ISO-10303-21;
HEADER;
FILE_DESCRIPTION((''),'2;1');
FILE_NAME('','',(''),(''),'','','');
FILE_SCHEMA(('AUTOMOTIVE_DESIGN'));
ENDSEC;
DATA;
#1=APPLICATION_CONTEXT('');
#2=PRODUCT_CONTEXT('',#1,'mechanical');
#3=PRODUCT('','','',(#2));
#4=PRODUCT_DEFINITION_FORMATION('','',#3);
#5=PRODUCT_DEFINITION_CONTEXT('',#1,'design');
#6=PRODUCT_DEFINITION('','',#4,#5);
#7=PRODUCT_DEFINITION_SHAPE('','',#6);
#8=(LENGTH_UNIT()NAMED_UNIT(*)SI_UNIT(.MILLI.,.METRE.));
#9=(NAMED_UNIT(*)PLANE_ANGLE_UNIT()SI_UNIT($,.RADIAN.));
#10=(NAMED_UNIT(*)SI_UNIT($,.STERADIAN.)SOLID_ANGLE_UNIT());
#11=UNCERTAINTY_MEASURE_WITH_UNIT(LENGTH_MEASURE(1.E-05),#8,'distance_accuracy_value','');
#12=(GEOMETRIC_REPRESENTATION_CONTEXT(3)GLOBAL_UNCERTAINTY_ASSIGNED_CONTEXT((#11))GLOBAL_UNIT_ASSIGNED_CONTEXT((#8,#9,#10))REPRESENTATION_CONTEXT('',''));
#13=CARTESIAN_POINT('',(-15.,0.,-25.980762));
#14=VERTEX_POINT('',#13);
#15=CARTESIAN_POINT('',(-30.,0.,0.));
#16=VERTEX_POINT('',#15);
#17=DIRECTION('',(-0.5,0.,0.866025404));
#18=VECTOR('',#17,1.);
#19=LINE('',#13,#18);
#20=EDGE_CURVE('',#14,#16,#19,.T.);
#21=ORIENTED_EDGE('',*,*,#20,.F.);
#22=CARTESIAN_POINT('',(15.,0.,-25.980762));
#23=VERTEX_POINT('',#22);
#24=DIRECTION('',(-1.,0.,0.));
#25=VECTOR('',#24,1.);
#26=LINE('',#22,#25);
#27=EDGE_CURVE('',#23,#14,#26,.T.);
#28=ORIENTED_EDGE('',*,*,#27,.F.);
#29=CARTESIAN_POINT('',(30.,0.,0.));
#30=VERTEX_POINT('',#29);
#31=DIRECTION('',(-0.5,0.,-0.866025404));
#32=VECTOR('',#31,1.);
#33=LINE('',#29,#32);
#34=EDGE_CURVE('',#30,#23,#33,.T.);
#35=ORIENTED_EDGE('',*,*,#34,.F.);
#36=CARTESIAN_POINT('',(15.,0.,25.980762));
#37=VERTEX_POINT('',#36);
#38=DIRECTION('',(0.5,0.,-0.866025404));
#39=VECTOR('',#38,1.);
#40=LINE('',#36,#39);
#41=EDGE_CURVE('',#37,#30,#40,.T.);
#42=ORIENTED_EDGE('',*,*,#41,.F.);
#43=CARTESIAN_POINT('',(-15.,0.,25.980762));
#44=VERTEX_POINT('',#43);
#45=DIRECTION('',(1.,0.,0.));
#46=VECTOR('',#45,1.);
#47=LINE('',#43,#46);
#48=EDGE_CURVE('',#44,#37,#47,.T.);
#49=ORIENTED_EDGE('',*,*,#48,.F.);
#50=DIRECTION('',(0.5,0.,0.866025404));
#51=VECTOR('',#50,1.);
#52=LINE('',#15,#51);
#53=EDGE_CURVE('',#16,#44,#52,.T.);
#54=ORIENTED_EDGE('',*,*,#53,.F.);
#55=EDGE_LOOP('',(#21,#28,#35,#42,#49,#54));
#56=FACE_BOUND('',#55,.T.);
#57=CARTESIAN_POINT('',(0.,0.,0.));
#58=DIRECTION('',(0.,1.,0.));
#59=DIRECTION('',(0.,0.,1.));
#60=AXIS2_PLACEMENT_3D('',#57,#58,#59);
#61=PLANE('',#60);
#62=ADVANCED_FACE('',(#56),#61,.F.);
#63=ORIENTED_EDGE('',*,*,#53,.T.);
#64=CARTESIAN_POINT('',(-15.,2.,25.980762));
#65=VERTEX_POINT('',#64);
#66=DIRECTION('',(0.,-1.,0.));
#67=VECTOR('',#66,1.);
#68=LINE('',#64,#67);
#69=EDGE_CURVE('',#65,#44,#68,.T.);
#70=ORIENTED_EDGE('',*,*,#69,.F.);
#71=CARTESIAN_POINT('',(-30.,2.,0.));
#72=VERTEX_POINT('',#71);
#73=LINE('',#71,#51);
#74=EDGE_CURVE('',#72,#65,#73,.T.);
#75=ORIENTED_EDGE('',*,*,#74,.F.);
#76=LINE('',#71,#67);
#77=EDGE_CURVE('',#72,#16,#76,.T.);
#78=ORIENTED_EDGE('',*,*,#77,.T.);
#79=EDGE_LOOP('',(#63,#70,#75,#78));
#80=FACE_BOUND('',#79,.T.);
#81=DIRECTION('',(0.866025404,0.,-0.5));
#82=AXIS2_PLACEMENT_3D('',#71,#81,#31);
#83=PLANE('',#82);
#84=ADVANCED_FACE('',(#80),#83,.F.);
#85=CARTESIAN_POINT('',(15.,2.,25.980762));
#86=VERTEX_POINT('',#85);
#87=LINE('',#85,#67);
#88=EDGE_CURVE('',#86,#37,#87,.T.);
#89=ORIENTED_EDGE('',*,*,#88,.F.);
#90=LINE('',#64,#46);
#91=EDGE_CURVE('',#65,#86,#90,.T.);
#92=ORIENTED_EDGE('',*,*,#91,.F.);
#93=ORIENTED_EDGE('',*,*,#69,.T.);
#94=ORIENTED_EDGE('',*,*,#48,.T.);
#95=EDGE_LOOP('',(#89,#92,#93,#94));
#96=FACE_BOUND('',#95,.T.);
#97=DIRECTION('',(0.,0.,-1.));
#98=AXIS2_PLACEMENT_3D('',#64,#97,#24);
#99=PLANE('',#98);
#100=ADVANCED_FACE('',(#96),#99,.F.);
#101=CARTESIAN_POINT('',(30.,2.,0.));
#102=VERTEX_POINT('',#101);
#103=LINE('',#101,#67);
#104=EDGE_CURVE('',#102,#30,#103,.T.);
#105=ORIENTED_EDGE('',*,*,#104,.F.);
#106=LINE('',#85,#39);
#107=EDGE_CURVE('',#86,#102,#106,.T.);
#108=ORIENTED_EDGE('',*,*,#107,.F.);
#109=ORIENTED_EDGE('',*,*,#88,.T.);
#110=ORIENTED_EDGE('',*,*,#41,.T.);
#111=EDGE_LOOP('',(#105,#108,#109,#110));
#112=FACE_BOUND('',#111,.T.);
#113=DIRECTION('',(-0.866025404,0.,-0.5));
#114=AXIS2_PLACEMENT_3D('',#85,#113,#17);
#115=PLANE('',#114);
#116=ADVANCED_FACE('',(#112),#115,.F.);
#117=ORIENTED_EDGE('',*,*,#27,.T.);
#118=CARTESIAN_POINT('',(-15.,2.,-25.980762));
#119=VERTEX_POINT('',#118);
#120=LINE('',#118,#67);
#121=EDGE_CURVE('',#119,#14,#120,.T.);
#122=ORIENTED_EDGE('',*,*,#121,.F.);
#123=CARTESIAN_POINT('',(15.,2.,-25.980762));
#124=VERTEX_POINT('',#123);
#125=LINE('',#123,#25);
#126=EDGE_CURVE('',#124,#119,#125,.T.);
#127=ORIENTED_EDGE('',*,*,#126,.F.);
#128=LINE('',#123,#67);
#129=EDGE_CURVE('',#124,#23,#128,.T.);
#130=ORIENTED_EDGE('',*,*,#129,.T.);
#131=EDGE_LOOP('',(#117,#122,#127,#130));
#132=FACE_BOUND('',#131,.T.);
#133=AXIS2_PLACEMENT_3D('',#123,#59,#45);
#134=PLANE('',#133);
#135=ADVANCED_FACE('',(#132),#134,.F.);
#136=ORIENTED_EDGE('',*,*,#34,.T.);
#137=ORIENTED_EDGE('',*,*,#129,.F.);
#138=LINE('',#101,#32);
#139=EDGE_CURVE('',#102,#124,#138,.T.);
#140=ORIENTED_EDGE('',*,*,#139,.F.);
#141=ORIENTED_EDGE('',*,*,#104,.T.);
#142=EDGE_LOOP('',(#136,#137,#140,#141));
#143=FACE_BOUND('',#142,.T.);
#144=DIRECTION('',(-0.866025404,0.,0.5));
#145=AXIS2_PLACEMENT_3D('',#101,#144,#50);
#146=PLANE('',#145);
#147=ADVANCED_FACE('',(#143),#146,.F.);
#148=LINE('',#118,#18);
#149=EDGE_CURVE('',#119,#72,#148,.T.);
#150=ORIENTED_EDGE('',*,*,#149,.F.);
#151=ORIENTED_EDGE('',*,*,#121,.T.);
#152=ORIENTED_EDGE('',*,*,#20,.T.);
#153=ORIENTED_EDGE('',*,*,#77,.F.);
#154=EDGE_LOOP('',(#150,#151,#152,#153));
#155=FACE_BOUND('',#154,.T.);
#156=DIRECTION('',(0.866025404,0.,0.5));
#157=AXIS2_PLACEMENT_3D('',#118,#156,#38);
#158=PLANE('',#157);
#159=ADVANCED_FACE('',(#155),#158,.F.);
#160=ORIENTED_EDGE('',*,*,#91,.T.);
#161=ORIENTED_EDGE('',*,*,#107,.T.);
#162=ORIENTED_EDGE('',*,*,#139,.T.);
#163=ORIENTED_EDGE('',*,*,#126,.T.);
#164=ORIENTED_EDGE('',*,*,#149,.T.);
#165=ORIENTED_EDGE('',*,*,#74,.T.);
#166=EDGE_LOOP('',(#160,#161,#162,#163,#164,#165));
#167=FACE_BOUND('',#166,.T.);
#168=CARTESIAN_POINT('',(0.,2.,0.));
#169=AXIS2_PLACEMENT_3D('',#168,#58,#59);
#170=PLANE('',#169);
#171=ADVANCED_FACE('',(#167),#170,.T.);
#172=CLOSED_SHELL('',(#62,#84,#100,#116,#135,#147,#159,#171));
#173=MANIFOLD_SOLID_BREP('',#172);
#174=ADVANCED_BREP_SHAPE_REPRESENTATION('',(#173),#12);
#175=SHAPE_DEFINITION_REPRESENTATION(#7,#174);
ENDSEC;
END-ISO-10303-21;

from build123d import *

# Parameters (mm, degrees)
EXTRUDE_1_DEPTH = 2


with BuildPart() as part:
    # 草图1 → 凸台-拉伸1 (new body)
    with BuildSketch(Plane(origin=(0, 0, 0), x_dir=(1, 0, 0), z_dir=(0, 1, 0))):
        Polygon((30, 0), (15, 25.980762114), (-15, 25.980762114), (-30, 0), (-15, -25.980762114), (15, -25.980762114), align=None)
    extrude(amount=EXTRUDE_1_DEPTH)


solid = part.part
